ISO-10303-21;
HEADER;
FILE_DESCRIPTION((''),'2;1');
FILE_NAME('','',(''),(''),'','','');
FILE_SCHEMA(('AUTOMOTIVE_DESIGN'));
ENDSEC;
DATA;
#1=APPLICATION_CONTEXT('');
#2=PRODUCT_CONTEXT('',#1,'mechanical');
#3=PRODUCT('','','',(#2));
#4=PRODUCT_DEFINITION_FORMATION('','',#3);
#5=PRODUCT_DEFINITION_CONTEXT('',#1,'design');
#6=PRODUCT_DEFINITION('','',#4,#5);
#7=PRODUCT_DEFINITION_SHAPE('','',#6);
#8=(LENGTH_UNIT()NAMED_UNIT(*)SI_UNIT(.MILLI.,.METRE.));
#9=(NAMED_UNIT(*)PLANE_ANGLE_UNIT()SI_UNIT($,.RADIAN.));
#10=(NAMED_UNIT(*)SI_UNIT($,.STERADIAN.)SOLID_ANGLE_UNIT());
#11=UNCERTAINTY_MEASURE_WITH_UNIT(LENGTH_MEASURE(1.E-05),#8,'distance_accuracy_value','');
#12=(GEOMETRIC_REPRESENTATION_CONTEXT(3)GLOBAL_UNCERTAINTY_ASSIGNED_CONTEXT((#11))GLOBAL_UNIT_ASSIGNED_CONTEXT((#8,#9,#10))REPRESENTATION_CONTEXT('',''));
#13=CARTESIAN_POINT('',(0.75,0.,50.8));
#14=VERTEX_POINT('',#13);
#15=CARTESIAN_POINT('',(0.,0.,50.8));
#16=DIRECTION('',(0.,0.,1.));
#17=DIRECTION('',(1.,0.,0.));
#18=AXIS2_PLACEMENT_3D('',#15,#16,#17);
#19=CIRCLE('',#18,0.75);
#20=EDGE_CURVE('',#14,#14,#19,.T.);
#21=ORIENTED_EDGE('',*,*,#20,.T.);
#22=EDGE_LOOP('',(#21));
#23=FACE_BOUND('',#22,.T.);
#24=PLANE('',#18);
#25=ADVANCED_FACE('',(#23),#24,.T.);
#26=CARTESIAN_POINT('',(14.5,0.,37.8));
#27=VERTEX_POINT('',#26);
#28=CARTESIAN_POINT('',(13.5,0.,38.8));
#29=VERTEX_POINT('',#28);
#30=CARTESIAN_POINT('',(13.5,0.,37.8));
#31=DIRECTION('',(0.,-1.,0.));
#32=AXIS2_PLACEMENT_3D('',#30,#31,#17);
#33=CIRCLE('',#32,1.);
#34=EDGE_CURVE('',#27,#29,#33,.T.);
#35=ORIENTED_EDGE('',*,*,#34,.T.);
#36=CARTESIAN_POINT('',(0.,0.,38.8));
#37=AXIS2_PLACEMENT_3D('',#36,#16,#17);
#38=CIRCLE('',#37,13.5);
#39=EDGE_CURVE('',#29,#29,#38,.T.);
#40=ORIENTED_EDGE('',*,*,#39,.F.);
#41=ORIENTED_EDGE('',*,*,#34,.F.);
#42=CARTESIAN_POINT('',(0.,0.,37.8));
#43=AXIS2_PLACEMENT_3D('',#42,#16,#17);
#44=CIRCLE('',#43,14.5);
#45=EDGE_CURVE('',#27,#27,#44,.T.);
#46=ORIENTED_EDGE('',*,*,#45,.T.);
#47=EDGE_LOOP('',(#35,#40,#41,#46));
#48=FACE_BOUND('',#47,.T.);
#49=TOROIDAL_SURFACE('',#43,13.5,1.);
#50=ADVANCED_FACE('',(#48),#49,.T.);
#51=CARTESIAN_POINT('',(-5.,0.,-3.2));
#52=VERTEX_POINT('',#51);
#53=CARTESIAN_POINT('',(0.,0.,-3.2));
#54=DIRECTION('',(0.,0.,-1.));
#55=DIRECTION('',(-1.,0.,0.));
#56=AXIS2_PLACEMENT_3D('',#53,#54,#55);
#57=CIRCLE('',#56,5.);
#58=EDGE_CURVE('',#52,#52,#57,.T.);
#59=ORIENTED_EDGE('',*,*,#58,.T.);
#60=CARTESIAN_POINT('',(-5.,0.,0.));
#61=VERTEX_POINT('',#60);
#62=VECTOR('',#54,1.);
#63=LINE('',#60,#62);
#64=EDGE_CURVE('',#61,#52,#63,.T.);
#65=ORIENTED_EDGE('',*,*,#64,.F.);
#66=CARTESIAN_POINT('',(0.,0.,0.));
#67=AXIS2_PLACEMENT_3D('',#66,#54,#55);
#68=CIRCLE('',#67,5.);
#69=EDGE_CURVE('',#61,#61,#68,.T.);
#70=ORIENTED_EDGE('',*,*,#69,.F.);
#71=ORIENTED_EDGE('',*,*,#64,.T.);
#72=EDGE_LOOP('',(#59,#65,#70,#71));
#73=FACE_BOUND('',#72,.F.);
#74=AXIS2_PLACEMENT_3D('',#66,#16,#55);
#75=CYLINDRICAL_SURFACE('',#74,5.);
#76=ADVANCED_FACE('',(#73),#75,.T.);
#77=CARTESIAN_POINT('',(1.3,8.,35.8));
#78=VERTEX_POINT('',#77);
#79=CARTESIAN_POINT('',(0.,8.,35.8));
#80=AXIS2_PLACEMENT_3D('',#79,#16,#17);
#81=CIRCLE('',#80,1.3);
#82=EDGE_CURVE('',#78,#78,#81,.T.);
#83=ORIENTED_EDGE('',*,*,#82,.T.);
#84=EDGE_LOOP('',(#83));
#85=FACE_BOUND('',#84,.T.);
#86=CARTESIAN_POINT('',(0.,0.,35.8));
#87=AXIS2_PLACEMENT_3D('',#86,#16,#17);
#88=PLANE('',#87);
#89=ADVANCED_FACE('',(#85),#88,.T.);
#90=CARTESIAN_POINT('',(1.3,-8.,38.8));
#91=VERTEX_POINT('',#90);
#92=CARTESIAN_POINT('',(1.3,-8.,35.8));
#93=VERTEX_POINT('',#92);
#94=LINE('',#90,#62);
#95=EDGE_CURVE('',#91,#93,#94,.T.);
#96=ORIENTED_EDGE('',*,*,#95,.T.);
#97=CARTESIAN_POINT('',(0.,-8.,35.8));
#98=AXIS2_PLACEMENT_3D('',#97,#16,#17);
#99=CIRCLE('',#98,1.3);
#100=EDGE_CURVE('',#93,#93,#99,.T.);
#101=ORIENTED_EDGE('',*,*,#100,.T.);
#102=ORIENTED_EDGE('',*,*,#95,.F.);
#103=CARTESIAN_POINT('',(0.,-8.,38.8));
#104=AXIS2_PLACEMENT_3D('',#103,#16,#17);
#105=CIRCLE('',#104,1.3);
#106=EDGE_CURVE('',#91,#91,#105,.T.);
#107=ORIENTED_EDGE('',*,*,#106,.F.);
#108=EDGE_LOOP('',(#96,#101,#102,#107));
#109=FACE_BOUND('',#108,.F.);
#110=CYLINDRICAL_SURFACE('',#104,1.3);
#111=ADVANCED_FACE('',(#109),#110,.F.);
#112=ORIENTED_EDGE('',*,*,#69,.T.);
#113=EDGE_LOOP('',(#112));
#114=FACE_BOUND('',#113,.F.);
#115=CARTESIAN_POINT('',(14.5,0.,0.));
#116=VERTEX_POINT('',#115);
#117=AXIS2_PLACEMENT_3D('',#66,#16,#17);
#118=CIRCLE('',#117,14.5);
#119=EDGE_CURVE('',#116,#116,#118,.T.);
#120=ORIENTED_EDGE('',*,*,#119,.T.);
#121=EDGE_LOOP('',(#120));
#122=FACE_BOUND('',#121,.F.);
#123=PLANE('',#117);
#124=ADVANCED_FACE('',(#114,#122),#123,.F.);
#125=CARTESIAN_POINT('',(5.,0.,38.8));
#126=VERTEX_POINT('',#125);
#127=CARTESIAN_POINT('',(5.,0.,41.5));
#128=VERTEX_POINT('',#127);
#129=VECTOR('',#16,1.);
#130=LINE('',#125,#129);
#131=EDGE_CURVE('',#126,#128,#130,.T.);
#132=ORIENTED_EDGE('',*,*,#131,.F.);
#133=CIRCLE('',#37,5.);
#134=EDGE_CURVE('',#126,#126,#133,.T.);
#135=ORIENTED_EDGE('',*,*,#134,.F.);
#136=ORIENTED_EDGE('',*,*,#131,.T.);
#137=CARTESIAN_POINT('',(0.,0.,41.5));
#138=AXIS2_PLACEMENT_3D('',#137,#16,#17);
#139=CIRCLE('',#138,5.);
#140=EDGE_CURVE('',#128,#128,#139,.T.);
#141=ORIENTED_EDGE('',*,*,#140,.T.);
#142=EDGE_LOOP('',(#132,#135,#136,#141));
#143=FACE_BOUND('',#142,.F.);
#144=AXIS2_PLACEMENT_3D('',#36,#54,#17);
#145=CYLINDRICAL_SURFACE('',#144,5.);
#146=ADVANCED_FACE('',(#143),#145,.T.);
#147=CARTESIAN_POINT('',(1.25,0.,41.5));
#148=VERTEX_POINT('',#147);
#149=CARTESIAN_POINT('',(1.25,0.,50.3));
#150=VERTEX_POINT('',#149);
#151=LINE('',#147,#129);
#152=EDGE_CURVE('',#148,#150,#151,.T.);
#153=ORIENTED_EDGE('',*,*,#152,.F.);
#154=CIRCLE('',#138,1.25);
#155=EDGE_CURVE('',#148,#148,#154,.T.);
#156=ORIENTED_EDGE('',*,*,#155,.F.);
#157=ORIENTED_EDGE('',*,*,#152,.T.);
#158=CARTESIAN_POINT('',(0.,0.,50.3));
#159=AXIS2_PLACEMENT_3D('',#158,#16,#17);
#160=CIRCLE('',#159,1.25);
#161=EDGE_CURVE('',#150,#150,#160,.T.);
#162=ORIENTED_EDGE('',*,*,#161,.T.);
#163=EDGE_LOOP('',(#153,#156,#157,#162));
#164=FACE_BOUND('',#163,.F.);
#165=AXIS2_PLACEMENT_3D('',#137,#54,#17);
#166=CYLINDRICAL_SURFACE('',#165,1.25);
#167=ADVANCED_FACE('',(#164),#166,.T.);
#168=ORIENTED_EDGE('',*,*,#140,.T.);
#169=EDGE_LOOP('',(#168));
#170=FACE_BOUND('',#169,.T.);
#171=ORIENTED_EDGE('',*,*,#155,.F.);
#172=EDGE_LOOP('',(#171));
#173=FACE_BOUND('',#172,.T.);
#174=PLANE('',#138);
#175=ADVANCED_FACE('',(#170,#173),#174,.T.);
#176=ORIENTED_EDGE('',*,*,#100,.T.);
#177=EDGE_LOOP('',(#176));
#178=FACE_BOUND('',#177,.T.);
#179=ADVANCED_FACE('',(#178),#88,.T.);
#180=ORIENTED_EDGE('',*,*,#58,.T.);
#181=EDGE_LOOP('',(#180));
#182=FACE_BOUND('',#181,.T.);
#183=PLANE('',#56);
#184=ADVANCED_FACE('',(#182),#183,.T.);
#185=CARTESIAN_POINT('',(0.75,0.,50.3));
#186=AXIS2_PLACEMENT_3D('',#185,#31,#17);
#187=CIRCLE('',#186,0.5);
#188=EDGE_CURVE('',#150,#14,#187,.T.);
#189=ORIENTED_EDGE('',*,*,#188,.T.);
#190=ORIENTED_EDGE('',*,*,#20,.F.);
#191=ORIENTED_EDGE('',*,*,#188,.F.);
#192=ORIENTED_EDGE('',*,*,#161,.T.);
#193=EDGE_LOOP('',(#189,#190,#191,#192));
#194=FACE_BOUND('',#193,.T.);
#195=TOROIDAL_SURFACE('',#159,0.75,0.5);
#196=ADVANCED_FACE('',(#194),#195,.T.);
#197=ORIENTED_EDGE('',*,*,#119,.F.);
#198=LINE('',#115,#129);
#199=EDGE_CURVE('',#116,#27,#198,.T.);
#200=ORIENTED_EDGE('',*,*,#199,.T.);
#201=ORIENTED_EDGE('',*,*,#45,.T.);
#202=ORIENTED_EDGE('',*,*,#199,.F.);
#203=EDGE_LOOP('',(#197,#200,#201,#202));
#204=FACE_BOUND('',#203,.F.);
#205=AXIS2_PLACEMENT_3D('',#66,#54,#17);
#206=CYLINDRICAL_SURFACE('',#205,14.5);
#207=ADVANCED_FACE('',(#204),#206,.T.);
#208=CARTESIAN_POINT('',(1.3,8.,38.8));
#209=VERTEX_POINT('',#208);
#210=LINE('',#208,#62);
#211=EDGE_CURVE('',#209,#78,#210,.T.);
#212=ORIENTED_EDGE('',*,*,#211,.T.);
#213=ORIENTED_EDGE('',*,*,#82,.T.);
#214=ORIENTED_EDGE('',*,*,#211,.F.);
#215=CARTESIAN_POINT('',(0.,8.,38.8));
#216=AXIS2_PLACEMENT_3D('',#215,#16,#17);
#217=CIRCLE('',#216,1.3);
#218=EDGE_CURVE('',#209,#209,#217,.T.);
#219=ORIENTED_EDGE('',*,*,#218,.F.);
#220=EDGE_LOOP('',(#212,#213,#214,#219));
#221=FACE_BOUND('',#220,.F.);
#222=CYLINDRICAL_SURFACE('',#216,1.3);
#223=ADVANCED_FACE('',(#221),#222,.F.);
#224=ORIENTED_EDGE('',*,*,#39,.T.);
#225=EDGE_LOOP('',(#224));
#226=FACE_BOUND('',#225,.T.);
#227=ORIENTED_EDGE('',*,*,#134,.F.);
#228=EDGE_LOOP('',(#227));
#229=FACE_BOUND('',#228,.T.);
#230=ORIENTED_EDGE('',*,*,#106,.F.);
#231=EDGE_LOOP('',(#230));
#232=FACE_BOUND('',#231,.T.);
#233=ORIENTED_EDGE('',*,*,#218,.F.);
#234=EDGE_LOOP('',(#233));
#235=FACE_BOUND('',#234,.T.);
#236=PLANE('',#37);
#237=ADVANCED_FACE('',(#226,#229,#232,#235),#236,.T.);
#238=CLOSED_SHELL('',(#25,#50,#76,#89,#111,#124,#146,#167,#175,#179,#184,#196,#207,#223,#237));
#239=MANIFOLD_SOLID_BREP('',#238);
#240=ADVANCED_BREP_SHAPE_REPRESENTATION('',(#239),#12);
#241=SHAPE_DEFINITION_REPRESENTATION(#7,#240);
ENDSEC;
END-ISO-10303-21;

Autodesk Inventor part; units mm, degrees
ref_plane "YZ Plane" through (0, 0, 0) normal (1, 0, 0) x (0, 1, 0)
ref_plane "XZ Plane" through (0, 0, 0) normal (0, 1, 0) x (-1, 0, 0)
ref_plane "XY Plane" through (0, 0, 0) normal (0, 0, 1) x (1, 0, 0)
sketch "Esquisse1" plane through (0, 0, 0) normal (0, 0, 1) x (1, 0, 0)
  circle A0 centre (0, 0) radius 14.5
  dimension "d0" = 29
extrude "Extrusion1" add sketch "Esquisse1" along normal blind 38.8
sketch "Esquisse2" plane through (0, 0, 38.8) normal (0, 0, 1) x (1, 0, 0)
  circle A0 centre (0, 0) radius 14.5 projected
  circle A1 centre (0, 0) radius 5
  dimension "d3" = 10
extrude "Extrusion2" add sketch "Esquisse2" along normal blind 2.7 contours A1
sketch "Esquisse3" plane through (0, 0, 41.5) normal (0, 0, 1) x (1, 0, 0)
  circle A0 centre (0, 0) radius 5 projected
  circle A1 centre (0, 0) radius 1.25
  dimension "d6" = 2.5
extrude "Extrusion3" add sketch "Esquisse3" along normal blind 9.3 contours A1
sketch "Esquisse4" plane through (0, 0, 0) normal (0, 0, -1) x (-1, 0, 0)
  circle A0 centre (0, 0) radius 14.5 projected
  circle A1 centre (0, 0) radius 5
  dimension "d9" = 10
extrude "Extrusion4" add sketch "Esquisse4" along normal blind 3.2 contours A1
fillet "Congé1" radius 1 1 edges at (-14.5, 0, 38.8)
fillet "Congé2" radius 0.5 1 edges at (-1.25, 0, 50.8)
sketch "Esquisse5" plane through (0, 0, 38.8) normal (0, 0, 1) x (1, 0, 0)
  circle A0 centre (0, 0) radius 5 projected
  circle A1 centre (0, 8) radius 1.3
  circle A2 centre (0, -8) radius 1.3
  dimension "d14" = 2.6
  dimension "d15" = 8
  dimension "d16" = 2.6
  dimension "d17" = 8
extrude "Extrusion5" cut sketch "Esquisse5" against normal blind 3 contours A1 | A2
thread "Filetage1" size "M3x0.5" class "6H" standard "ANSI Metric M Profile" full length
thread "Filetage2" size "M3x0.5" class "6H" standard "ANSI Metric M Profile" full length
equation "\"d16\" = d14"
equation "\"d17\" = d15"
properties part number "Nidec_DMN29"
